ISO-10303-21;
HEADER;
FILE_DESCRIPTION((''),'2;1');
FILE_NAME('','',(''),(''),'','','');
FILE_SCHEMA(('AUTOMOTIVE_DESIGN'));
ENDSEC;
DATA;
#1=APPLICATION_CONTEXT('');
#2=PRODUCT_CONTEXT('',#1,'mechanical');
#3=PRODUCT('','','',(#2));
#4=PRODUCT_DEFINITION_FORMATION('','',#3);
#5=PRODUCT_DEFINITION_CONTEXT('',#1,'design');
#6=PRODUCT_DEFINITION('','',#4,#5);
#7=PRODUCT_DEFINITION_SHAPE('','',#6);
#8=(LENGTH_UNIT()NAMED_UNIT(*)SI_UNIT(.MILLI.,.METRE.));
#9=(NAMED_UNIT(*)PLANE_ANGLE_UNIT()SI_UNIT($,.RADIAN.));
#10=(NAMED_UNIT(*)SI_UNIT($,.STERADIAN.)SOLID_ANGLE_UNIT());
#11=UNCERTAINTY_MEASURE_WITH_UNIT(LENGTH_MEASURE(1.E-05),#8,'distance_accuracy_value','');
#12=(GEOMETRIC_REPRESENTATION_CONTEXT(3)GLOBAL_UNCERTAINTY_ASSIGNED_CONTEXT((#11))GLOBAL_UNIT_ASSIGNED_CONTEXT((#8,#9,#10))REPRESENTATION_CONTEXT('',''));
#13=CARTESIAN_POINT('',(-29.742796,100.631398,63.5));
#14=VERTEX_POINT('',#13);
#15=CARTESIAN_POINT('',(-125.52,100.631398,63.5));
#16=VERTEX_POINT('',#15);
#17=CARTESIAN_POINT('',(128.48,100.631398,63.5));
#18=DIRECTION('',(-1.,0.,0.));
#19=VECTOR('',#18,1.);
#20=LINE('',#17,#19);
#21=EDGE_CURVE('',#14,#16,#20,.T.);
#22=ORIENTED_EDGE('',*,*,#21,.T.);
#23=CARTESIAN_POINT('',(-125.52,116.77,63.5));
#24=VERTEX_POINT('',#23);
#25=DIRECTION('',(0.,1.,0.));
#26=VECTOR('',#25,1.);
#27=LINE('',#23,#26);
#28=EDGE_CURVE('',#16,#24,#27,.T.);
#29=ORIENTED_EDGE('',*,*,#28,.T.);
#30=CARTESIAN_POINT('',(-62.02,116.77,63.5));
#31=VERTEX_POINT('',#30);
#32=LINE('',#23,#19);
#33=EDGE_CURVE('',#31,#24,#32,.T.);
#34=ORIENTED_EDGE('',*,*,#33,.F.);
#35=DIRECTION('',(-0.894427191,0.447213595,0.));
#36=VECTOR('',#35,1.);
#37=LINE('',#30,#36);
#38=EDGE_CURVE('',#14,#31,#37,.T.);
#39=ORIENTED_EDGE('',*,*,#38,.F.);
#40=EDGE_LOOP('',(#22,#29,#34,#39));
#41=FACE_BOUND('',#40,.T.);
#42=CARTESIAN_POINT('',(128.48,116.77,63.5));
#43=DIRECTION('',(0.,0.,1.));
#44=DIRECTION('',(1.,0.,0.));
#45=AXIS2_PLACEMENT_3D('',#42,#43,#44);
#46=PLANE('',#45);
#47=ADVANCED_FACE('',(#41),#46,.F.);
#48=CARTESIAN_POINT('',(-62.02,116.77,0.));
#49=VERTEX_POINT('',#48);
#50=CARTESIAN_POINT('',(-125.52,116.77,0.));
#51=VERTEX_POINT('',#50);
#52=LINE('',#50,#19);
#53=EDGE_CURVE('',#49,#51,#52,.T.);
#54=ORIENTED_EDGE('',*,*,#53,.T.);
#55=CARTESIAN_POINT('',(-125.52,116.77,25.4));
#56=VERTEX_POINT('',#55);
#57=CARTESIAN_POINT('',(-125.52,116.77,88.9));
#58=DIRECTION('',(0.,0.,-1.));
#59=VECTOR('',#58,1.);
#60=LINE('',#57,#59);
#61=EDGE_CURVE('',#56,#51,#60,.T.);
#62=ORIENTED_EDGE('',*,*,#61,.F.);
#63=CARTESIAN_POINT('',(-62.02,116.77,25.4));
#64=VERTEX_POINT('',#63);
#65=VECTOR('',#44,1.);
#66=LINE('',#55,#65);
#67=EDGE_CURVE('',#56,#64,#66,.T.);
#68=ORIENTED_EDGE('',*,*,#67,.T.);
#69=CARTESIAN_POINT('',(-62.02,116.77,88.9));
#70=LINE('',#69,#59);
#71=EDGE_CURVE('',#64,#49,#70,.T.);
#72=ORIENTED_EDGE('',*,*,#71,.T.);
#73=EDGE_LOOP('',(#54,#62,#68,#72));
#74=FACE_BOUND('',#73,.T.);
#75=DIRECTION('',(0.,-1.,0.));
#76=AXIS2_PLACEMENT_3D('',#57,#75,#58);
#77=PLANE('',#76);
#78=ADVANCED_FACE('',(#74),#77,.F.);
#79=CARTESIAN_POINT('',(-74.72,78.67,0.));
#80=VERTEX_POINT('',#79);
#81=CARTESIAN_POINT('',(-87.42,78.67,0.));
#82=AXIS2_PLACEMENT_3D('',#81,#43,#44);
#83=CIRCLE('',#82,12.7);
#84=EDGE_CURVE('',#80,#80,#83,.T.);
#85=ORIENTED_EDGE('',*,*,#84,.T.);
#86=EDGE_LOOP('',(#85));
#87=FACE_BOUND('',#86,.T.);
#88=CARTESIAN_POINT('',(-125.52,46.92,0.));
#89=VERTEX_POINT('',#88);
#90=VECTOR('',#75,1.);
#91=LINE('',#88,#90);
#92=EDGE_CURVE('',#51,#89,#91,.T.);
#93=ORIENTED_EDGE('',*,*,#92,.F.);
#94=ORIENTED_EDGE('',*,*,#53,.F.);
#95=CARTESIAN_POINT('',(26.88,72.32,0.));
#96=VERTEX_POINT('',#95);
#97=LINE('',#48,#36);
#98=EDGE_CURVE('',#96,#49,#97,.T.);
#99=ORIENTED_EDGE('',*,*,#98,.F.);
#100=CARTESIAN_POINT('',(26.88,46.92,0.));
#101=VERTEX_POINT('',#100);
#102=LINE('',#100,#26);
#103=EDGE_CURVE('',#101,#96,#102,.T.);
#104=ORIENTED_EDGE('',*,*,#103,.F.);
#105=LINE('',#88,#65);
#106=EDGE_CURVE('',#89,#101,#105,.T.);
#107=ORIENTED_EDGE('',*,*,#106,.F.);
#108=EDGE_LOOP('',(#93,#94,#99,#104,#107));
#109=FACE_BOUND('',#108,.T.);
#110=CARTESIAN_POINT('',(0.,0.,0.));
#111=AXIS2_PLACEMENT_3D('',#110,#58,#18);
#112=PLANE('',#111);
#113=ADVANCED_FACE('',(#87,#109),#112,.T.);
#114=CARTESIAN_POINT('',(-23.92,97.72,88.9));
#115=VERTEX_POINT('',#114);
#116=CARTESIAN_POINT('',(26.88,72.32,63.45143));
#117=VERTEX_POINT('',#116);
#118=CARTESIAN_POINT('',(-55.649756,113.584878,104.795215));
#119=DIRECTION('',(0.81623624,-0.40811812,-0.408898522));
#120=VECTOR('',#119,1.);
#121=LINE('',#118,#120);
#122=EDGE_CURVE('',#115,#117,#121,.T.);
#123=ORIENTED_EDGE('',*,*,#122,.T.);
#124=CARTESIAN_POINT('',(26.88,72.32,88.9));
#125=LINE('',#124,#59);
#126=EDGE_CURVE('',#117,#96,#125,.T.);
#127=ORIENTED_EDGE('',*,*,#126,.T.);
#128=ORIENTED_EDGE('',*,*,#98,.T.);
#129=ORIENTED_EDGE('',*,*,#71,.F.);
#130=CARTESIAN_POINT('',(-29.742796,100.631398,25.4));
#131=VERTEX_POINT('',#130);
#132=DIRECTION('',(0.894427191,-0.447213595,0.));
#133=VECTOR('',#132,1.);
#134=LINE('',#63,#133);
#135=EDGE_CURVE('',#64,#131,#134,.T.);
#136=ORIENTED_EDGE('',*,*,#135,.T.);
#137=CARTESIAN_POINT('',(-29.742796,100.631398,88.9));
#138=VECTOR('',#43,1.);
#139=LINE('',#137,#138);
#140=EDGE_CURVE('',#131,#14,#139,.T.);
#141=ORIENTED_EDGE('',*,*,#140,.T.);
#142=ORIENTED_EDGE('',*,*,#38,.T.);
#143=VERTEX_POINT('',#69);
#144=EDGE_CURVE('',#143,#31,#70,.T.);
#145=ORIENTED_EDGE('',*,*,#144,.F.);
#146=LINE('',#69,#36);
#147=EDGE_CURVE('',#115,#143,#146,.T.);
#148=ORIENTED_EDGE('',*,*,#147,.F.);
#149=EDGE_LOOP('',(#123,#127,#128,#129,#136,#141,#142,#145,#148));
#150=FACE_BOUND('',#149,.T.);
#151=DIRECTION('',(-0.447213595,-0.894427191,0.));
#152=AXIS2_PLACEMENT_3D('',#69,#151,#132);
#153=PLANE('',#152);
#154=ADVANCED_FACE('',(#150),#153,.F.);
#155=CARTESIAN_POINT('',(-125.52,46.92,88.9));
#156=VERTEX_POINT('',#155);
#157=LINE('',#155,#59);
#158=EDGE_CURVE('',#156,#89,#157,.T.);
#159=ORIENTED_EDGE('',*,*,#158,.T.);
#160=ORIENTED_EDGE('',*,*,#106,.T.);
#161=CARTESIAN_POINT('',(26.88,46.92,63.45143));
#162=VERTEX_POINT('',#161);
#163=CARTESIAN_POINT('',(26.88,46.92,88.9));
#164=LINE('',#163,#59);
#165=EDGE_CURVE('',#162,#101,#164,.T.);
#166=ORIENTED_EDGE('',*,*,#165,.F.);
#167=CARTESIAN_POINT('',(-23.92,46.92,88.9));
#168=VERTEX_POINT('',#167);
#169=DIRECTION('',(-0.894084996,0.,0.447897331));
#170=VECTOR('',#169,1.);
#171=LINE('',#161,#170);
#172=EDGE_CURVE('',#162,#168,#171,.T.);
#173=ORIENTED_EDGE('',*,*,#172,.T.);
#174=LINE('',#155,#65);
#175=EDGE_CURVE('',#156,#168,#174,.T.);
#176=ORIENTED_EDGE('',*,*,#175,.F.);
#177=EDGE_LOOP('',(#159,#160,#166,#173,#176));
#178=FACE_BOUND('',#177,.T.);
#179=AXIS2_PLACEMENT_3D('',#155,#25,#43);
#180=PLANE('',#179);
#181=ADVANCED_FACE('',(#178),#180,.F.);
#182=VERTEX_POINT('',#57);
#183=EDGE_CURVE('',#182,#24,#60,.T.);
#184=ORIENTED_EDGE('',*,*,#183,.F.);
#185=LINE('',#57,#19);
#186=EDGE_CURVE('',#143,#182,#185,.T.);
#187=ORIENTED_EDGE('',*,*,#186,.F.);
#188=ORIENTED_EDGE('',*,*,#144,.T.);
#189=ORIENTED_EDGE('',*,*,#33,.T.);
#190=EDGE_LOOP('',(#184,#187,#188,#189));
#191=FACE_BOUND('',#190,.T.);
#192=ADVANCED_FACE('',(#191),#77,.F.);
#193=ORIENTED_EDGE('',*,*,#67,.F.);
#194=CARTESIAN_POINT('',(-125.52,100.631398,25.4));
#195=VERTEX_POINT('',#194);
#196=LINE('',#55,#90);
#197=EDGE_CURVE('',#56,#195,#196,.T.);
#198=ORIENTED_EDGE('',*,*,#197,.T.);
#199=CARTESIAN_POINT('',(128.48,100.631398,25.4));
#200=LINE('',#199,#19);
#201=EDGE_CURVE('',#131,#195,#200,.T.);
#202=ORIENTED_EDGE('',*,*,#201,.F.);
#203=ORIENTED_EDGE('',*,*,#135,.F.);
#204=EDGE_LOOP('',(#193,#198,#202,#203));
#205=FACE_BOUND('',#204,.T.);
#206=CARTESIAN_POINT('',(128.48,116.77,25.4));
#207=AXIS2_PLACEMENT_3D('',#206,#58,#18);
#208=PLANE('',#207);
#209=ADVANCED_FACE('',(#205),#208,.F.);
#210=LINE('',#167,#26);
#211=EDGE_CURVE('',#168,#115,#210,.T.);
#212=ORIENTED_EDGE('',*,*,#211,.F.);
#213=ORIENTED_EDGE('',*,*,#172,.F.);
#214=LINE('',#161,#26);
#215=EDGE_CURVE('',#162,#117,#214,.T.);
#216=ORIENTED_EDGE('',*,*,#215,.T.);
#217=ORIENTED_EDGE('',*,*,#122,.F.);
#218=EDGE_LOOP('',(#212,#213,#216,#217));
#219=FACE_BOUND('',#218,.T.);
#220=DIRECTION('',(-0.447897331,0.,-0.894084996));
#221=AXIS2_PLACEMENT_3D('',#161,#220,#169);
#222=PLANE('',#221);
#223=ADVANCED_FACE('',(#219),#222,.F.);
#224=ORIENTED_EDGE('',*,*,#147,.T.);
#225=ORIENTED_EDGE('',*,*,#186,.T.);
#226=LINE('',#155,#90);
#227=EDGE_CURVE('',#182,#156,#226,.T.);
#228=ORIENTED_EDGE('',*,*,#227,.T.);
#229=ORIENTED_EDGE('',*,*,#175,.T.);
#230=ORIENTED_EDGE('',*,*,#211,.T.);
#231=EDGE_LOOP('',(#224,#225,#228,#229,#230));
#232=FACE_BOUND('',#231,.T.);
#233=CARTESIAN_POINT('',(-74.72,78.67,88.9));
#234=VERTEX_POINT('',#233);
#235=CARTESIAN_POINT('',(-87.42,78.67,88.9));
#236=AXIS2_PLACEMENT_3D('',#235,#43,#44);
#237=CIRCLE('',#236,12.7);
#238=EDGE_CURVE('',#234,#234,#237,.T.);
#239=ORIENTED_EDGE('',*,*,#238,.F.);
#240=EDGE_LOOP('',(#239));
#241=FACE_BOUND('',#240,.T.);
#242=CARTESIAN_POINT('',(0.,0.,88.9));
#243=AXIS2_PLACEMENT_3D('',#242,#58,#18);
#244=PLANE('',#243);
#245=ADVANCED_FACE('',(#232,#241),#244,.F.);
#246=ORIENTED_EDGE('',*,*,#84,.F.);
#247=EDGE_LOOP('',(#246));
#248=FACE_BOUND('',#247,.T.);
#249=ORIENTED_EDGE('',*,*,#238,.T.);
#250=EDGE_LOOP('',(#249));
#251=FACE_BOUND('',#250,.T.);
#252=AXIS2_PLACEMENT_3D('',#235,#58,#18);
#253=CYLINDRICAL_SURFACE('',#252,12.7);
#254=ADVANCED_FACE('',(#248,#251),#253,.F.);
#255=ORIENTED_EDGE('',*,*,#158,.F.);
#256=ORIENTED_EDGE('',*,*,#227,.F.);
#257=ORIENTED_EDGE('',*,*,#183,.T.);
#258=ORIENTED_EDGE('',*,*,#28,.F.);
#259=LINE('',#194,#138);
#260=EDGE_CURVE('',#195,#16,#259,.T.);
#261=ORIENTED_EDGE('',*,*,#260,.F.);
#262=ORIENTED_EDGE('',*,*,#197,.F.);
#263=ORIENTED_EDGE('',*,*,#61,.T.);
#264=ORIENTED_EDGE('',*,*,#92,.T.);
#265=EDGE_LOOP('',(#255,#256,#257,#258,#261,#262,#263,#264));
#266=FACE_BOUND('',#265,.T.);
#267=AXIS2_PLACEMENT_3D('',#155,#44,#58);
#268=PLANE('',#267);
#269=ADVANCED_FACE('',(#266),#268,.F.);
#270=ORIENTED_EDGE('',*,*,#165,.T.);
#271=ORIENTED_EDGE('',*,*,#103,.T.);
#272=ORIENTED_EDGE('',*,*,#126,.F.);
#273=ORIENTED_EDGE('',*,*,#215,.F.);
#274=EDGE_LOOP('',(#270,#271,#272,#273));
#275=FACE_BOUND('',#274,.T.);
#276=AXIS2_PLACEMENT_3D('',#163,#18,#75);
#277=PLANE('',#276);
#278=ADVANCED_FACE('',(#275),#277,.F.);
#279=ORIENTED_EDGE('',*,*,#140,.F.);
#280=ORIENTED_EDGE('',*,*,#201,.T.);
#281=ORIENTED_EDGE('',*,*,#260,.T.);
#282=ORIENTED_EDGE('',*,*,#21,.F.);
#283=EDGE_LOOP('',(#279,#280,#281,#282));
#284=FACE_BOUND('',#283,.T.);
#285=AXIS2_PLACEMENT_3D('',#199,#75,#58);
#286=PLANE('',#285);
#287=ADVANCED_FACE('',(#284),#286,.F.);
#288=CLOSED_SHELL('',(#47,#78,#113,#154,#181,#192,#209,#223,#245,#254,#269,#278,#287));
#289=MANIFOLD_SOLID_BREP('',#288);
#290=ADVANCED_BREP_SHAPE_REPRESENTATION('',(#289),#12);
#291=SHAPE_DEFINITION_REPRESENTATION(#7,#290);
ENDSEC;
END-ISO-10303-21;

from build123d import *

# Parameters (mm, degrees)
SKETCH1_R           = 12.7
BOSS_EXTRUDE1_DEPTH = 88.9
CUT_EXTRUDE1_DEPTH  = 169.930467649
SKETCH3_W           = 38.1
SKETCH3_H           = 16.138601809
CUT_EXTRUDE2_DEPTH  = 254


with BuildPart() as part:
    # Sketch1 → Boss-Extrude1 (new body)
    with BuildSketch(Plane.XY):
        Polygon((-125.52, 46.92), (26.88, 46.92), (26.88, 72.32), (-62.02, 116.77), (-125.52, 116.77), align=None)
        with Locations((-87.42, 78.67)):
            Circle(SKETCH1_R, mode=Mode.SUBTRACT)
    extrude(amount=BOSS_EXTRUDE1_DEPTH)

    # Sketch2 → Cut-Extrude1 (cut, through all)
    with BuildSketch(Plane(origin=(0, 116.77, 0), x_dir=(1, 0, 0), z_dir=(0, 1, 0))):
        Polygon((26.88, -63.451430224), (-23.92, -88.9), (26.88, -88.9), align=None)
    extrude(amount=-CUT_EXTRUDE1_DEPTH, mode=Mode.SUBTRACT)

    # Sketch3 → Cut-Extrude2 (cut)
    with BuildSketch(Plane.ZY.offset(125.52)):
        with Locations((44.45, 108.700699095)):
            Rectangle(SKETCH3_W, SKETCH3_H)
    extrude(amount=-CUT_EXTRUDE2_DEPTH, mode=Mode.SUBTRACT)


solid = part.part
